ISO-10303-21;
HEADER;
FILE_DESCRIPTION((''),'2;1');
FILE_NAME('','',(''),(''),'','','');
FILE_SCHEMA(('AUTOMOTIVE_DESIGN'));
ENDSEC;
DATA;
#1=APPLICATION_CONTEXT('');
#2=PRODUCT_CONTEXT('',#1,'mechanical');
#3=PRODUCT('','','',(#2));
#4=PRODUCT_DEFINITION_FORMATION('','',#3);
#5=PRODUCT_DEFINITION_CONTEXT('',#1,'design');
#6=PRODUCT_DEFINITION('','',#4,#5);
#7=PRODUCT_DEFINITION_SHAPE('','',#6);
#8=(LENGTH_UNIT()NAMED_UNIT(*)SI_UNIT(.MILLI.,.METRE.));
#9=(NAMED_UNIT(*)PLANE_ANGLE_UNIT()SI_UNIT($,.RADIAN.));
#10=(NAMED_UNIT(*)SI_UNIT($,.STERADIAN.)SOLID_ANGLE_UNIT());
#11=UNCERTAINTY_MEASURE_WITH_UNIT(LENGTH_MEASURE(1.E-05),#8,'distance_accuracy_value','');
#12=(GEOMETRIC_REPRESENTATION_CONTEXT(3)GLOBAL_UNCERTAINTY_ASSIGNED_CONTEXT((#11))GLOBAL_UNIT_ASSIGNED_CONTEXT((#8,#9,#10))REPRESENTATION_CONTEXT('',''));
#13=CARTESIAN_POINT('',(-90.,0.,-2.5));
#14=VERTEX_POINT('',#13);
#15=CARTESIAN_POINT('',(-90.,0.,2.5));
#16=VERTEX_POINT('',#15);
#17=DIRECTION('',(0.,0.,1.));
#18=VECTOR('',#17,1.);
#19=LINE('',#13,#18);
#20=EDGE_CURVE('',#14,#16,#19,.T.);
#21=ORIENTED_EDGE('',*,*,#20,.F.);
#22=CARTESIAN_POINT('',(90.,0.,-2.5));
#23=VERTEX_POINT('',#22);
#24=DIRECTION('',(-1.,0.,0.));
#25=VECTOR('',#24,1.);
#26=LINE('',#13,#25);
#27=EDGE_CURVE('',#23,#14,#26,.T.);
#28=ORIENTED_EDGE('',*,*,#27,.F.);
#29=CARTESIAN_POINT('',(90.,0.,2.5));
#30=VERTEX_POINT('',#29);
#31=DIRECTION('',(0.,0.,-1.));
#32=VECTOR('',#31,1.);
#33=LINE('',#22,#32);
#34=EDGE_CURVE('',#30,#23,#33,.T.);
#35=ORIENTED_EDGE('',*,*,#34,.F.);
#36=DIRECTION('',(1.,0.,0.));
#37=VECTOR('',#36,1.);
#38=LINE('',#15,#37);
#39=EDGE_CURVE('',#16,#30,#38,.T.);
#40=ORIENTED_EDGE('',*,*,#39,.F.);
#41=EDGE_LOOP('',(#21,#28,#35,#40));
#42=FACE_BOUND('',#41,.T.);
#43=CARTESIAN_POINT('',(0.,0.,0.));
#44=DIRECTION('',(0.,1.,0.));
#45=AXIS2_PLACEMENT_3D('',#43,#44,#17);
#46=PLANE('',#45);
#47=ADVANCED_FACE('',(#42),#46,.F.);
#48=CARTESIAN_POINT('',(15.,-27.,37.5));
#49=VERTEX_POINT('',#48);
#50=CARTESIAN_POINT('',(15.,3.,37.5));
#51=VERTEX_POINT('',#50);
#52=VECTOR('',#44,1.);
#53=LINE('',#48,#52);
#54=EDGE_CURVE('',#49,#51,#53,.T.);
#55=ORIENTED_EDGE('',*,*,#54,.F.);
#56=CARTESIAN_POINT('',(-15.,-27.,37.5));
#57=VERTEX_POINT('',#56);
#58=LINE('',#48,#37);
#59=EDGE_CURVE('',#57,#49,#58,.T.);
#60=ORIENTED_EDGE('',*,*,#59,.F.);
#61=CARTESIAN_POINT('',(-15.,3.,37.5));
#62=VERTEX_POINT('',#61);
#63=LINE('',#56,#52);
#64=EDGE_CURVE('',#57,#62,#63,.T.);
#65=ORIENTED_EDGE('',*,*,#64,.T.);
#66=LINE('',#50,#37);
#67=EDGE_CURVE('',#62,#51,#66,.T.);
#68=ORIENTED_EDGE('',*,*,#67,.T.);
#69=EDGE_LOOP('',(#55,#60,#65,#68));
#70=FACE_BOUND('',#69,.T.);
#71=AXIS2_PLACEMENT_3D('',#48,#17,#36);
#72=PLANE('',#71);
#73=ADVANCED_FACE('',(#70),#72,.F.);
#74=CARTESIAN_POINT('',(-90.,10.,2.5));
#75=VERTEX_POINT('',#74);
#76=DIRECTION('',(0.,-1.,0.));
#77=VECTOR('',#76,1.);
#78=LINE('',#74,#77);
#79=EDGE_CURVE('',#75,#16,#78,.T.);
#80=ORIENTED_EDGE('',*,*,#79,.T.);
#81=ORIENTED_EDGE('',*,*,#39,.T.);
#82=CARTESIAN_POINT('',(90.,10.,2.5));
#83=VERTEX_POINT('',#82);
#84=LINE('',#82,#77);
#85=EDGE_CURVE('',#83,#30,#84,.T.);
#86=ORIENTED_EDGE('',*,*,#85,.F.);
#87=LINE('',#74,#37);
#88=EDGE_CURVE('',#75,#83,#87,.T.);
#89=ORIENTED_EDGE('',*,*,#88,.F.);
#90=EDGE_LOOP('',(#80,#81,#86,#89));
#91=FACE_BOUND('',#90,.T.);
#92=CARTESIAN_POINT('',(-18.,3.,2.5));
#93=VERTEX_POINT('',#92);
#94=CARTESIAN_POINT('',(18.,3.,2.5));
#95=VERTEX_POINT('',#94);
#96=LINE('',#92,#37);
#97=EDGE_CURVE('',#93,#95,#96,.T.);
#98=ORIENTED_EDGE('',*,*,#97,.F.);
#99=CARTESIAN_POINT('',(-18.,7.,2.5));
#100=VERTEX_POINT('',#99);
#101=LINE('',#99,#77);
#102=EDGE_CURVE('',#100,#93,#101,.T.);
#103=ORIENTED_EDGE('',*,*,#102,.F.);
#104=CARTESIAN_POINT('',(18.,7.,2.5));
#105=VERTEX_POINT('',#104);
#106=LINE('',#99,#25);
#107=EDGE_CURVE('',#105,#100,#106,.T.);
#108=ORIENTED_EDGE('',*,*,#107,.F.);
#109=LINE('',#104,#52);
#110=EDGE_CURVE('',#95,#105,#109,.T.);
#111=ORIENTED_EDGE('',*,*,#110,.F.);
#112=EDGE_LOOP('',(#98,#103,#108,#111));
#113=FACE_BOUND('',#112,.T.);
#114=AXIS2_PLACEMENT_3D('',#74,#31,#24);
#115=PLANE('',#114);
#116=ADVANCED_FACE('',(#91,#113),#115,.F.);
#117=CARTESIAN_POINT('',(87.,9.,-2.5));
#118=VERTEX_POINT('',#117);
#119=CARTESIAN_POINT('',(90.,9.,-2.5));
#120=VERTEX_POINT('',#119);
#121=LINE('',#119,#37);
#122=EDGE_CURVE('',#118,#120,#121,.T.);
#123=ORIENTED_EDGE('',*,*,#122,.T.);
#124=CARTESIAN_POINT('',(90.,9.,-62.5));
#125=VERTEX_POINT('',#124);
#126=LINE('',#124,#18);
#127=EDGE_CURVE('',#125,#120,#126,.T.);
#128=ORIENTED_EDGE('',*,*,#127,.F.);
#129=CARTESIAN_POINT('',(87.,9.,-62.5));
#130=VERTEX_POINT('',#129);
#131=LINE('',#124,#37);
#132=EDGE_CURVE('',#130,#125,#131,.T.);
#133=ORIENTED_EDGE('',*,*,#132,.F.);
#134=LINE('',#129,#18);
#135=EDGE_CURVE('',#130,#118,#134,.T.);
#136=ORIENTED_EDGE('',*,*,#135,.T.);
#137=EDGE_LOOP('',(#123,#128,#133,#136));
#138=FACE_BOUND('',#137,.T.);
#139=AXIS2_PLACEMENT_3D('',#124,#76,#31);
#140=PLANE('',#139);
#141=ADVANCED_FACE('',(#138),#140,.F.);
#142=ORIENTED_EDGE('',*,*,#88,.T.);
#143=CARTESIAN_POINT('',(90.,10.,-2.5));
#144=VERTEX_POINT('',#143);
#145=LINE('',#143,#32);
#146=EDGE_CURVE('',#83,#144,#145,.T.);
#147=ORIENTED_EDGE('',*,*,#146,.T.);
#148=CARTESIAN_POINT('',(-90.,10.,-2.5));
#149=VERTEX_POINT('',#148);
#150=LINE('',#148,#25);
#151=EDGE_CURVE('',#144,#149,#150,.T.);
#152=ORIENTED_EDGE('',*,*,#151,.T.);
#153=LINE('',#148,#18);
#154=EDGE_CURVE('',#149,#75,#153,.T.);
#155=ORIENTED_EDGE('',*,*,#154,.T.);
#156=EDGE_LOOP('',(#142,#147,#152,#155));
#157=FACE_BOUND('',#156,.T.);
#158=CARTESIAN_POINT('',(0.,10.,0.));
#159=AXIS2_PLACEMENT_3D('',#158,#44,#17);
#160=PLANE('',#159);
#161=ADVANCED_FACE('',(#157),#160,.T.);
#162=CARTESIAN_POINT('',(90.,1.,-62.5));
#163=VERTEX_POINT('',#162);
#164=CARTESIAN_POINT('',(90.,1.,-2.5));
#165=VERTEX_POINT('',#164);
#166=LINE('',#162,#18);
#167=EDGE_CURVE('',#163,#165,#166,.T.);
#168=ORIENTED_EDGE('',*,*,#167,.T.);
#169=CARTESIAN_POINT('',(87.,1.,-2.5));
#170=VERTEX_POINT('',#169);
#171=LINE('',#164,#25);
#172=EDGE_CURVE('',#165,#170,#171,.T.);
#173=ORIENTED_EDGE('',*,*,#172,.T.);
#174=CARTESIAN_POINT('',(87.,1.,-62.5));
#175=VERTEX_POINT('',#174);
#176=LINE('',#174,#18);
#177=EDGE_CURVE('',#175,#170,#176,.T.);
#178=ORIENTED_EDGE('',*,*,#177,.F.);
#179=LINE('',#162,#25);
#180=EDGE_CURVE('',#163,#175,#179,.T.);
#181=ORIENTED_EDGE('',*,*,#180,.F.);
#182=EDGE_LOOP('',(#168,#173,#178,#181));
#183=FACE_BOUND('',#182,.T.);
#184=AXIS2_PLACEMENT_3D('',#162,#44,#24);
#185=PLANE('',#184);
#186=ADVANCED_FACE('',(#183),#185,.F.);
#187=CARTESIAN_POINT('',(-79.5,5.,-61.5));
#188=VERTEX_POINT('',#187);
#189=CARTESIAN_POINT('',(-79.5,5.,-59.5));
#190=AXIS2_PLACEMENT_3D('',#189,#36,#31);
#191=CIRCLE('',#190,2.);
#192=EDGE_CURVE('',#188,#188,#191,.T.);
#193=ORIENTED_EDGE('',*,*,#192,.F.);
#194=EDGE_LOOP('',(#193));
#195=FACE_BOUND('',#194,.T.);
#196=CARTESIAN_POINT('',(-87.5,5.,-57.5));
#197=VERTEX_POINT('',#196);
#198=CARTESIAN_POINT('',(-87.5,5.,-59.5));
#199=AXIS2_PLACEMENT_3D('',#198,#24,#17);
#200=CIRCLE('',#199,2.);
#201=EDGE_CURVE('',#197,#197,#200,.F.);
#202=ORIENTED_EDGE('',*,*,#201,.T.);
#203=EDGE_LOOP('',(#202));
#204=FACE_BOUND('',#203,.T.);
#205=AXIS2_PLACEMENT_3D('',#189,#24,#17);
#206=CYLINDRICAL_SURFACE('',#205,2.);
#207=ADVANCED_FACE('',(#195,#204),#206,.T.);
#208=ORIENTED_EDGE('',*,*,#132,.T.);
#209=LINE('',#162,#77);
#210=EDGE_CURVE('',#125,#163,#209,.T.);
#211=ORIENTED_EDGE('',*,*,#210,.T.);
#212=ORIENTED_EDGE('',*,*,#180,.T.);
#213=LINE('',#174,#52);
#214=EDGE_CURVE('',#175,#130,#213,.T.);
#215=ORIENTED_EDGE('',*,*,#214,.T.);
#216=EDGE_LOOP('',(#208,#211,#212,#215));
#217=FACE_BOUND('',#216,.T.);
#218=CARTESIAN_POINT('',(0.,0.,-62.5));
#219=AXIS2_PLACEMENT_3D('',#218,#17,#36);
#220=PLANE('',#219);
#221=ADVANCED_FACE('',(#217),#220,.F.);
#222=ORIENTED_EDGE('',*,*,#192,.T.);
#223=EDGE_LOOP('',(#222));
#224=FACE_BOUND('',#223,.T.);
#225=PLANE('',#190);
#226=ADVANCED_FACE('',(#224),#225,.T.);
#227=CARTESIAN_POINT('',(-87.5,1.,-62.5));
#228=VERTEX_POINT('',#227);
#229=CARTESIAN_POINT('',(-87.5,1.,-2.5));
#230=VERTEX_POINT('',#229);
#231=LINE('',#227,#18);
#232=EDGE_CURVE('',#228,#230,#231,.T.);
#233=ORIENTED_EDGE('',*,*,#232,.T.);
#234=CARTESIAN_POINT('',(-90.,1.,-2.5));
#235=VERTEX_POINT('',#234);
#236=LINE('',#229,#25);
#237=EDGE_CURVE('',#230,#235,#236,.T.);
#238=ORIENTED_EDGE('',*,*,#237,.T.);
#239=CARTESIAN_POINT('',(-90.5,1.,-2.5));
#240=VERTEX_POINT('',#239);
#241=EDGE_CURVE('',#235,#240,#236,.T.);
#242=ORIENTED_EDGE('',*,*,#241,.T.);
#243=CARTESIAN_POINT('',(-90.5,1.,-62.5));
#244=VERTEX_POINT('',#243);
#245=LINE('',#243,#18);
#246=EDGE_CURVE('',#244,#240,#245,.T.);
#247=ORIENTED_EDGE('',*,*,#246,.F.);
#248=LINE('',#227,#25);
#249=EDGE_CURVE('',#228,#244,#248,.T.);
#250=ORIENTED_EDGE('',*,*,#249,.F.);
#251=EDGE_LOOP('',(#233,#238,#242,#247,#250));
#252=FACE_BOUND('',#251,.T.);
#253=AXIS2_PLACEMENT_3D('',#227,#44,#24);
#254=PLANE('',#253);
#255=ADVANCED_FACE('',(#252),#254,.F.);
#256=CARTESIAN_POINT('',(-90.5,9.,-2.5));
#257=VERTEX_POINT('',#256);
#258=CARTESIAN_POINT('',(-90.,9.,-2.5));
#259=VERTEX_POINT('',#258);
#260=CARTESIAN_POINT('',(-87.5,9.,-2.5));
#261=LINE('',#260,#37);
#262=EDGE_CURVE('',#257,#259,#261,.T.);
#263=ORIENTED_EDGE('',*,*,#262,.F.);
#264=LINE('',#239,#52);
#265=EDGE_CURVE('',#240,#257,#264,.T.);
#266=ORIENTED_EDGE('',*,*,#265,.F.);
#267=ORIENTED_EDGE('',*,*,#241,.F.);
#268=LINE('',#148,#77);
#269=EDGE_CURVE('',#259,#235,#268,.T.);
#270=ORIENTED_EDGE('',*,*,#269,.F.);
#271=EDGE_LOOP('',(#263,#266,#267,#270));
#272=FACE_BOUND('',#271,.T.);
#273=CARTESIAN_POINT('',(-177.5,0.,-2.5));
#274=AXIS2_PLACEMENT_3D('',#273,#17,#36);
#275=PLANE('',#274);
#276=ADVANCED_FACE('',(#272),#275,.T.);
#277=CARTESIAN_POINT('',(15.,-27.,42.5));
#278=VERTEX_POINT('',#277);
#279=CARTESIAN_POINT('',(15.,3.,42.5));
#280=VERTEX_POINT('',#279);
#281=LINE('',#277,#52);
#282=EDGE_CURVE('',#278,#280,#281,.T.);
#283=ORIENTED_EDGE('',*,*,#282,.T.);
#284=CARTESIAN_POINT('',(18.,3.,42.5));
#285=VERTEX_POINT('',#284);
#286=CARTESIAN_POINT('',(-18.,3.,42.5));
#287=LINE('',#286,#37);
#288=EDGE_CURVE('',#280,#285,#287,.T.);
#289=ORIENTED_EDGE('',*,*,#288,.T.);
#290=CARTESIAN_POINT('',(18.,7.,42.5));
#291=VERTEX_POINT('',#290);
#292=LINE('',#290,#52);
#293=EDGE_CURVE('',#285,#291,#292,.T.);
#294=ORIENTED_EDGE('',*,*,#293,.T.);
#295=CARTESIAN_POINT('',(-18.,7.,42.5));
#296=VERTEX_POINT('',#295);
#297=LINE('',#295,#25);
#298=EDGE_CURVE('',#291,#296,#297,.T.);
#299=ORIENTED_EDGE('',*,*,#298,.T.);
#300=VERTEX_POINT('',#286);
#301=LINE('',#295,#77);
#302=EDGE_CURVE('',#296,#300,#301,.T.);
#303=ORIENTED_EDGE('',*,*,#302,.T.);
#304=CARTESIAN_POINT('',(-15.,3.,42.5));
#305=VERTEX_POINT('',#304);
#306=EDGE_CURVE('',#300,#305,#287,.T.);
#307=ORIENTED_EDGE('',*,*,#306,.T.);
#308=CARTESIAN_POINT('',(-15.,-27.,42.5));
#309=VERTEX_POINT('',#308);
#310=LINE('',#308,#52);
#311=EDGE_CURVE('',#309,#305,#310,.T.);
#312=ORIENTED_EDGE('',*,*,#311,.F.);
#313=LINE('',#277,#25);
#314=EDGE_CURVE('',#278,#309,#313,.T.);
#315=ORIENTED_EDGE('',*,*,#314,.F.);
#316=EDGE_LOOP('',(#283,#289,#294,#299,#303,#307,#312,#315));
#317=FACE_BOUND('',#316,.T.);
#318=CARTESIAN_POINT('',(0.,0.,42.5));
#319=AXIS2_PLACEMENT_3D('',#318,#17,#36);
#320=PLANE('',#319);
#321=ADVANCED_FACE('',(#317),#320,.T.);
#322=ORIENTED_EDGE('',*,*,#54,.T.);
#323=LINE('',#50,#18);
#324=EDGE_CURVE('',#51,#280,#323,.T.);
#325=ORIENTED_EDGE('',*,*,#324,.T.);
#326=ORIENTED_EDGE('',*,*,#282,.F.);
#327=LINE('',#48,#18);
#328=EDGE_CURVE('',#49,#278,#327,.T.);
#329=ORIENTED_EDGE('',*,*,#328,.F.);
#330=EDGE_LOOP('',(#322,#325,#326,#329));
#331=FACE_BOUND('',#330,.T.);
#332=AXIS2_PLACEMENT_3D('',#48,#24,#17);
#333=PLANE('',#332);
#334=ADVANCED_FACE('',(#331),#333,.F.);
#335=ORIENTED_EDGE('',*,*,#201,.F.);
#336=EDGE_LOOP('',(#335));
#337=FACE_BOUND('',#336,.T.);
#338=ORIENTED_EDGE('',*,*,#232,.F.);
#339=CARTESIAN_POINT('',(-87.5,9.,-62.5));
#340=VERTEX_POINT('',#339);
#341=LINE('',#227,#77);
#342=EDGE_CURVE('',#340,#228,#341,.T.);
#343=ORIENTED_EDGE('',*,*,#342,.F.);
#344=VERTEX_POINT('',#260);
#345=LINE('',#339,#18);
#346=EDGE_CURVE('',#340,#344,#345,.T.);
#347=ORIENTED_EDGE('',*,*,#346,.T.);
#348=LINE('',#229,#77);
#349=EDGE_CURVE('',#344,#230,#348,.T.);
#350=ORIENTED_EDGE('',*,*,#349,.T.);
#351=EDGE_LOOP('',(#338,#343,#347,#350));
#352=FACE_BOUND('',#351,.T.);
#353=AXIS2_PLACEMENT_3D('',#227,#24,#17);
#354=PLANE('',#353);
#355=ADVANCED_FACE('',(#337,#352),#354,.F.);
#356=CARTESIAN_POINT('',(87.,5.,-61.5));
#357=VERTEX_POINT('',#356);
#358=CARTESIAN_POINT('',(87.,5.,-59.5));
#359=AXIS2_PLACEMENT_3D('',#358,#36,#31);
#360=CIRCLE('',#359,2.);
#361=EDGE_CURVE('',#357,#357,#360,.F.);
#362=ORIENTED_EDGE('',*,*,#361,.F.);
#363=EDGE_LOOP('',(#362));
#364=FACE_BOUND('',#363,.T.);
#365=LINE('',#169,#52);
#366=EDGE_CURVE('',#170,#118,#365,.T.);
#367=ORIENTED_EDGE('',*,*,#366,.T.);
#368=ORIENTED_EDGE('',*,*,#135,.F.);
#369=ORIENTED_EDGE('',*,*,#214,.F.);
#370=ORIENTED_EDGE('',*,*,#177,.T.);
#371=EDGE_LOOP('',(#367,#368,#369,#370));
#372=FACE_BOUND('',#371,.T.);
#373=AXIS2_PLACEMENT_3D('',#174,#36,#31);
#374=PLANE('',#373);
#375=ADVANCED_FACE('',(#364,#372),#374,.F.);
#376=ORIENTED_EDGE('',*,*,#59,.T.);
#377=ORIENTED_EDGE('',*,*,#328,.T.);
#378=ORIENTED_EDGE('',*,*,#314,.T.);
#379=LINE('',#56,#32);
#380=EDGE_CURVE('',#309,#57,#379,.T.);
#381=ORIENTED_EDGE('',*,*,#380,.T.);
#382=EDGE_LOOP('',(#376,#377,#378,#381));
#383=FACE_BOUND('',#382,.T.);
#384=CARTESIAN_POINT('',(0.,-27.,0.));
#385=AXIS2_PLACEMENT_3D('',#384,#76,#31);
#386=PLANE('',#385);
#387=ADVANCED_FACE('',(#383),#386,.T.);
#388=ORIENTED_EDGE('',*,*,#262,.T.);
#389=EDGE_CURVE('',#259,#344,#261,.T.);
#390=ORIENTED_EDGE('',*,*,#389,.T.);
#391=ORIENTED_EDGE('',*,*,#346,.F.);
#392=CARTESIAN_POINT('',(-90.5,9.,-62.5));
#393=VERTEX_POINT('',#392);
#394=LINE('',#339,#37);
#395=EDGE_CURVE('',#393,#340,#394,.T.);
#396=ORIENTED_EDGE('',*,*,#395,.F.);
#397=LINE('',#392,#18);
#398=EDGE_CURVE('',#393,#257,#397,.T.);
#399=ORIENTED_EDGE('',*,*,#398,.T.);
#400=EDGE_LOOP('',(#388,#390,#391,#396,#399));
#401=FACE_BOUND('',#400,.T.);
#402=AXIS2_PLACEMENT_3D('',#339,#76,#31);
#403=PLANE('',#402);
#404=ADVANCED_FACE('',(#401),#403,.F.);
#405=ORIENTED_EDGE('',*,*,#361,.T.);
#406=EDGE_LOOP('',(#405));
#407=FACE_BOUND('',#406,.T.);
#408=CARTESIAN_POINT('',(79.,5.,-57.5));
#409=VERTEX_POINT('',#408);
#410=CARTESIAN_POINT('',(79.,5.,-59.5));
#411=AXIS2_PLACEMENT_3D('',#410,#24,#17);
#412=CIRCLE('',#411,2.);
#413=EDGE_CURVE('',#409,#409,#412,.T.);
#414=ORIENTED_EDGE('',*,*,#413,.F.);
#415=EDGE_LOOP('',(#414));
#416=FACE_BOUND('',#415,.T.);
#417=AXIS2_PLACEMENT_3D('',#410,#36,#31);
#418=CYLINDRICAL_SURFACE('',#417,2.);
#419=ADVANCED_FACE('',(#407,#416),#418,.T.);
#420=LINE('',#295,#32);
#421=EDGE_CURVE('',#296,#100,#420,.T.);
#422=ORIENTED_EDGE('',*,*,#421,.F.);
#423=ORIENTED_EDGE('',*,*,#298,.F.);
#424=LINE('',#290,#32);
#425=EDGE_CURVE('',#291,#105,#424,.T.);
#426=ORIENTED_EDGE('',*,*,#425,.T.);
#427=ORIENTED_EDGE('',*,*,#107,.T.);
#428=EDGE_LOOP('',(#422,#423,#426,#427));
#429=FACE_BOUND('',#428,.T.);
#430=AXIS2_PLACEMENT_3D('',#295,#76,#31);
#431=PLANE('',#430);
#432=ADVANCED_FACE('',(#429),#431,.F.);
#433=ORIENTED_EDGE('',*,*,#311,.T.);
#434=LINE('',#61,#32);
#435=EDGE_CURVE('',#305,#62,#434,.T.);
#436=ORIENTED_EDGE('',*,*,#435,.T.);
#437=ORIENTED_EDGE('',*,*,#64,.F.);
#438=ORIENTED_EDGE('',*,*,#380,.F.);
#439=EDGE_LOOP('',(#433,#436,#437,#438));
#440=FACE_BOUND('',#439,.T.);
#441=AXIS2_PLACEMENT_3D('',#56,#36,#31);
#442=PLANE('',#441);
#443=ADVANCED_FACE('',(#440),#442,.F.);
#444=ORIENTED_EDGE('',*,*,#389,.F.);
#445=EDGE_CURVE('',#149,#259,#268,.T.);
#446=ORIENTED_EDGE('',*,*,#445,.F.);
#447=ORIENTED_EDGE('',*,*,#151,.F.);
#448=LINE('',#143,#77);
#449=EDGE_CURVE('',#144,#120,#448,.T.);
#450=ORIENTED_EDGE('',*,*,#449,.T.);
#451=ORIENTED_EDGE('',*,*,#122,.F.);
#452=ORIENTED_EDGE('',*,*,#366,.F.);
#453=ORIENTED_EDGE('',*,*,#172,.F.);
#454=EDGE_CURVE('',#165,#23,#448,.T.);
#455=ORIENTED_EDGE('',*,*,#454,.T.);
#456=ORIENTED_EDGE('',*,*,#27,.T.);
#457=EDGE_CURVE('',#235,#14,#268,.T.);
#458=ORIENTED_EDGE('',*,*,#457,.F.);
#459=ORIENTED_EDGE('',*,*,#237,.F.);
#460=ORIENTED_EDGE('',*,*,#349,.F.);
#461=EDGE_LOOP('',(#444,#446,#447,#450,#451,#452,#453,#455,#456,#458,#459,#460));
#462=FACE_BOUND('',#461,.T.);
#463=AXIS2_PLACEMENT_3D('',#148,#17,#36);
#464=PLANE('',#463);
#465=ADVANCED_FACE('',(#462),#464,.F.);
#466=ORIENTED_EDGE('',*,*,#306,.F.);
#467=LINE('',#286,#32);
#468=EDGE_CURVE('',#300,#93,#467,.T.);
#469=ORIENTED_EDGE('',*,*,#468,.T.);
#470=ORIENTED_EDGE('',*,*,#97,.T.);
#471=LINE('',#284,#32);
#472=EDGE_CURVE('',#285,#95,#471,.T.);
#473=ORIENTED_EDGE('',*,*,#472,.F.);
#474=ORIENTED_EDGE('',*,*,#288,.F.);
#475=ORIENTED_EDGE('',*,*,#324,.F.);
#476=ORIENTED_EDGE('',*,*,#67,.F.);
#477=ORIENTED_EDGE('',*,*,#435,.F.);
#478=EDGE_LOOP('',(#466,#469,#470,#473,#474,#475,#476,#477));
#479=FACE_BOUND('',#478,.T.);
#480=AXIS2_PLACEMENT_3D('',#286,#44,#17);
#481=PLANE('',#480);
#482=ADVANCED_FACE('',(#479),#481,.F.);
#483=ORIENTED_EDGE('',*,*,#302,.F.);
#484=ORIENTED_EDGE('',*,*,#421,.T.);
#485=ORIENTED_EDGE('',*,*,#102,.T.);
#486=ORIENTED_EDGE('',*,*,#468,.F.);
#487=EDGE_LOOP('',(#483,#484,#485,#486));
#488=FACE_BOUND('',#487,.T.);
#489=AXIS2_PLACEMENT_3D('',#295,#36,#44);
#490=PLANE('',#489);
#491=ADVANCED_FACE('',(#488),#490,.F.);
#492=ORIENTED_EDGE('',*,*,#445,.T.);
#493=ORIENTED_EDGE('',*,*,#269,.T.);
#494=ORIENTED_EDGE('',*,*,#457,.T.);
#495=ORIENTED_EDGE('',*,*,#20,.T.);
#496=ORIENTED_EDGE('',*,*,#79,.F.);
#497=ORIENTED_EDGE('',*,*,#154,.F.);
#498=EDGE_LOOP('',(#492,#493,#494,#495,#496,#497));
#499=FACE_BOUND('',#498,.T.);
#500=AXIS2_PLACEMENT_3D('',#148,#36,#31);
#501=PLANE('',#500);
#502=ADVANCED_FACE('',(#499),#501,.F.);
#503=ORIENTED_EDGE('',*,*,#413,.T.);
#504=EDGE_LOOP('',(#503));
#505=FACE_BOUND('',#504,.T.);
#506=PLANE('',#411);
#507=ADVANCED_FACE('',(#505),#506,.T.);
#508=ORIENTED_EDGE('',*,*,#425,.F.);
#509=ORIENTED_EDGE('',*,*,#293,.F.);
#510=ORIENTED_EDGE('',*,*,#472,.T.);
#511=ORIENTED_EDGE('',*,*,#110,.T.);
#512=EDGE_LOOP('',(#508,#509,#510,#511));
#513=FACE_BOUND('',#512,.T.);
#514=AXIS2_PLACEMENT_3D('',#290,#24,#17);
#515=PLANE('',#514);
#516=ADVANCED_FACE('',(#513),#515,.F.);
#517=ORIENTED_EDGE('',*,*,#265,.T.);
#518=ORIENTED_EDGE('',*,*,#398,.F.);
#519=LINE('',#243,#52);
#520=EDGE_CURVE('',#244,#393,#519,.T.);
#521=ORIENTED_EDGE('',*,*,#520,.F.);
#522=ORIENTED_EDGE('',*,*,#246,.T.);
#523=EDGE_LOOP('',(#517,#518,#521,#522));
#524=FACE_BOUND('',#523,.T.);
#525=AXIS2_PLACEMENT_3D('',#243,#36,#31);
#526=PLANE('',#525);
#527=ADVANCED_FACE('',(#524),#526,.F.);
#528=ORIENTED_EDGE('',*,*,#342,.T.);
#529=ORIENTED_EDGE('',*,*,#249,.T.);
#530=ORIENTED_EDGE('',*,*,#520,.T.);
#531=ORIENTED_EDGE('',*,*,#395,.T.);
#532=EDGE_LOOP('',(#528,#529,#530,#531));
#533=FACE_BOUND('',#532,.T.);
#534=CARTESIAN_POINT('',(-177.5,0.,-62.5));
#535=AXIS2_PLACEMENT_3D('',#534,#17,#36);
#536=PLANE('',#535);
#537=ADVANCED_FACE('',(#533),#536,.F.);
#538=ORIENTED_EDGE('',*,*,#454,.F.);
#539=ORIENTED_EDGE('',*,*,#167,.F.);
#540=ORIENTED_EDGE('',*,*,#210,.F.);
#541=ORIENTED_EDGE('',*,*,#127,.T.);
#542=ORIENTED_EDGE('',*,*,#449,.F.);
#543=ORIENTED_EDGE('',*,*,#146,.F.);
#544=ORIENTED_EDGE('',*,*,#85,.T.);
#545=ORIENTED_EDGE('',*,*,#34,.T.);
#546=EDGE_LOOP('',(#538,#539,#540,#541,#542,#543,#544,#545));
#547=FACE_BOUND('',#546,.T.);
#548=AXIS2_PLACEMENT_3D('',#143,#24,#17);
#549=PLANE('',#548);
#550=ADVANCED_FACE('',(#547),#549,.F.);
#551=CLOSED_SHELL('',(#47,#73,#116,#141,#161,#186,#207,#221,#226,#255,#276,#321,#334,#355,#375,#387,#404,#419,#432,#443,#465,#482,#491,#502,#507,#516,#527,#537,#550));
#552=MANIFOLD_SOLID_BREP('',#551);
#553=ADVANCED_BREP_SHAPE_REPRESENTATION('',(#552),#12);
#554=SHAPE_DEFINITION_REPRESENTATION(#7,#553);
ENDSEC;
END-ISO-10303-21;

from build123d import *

# Parameters (mm, degrees)
SKETCH_1_W             = 180
SKETCH_1_H             = 5
EXTRUDE_1_DEPTH        = 10
SKETCH_2_W             = 3
SKETCH_2_H             = 8
EXTRUDE_2_DEPTH        = 60
SKETCH_5_R             = 2
EXTRUDE_4_DEPTH        = 8
SKETCH_6_W             = 36
SKETCH_6_H             = 4
EXTRUDE_5_DEPTH        = 40
SKETCH_7_W             = 30
SKETCH_7_H             = 5
EXTRUDE_6_DEPTH        = 30
PATTERN_LINEAR_1_COUNT = 2
PATTERN_LINEAR_1_PITCH = 177.5
EXTRUDE_START          = 8
SKETCH_8_R             = 2
EXTRUDE_7_DEPTH        = 8


with BuildPart() as part:
    # 草图1 → 凸台-拉伸1 (new body)
    with BuildSketch(Plane(origin=(0, 0, 0), x_dir=(1, 0, 0), z_dir=(0, 1, 0))):
        Rectangle(SKETCH_1_W, SKETCH_1_H)
    extrude(amount=EXTRUDE_1_DEPTH)

    # 草图2 → 凸台-拉伸2 (add)
    with BuildSketch(Plane(origin=(0, 0, -2.5), x_dir=(-1, 0, 0), z_dir=(0, 0, -1))):
        with Locations((-88.5, 5)):
            Rectangle(SKETCH_2_W, SKETCH_2_H)
    extrude_2 = extrude(amount=EXTRUDE_2_DEPTH)

    # 草图5 → 凸台-拉伸4 (add)
    with BuildSketch(Plane.ZY.offset(-87)):
        with Locations(Location((-59.5, 5, 0), (0, 0, 180))):
            Circle(SKETCH_5_R)
    extrude(amount=EXTRUDE_4_DEPTH)

    # 草图6 → 凸台-拉伸5 (add)
    with BuildSketch(Plane.XY.offset(2.5)):
        with Locations((0, 5)):
            Rectangle(SKETCH_6_W, SKETCH_6_H)
    extrude(amount=EXTRUDE_5_DEPTH)

    # 草图7 → 凸台-拉伸6 (add)
    with BuildSketch(Plane.XZ.offset(-3)):
        with Locations((0, 40)):
            Rectangle(SKETCH_7_W, SKETCH_7_H)
    extrude(amount=EXTRUDE_6_DEPTH)

    # 阵列(线性)1: 凸台-拉伸2 ×2
    with Locations(*[(-i * PATTERN_LINEAR_1_PITCH, 0, 0) for i in range(1, PATTERN_LINEAR_1_COUNT)]):
        add(extrude_2)

    # 草图8 → 凸台-拉伸7 (add)
    with BuildSketch(Plane(origin=(-87.5, 0, 0), x_dir=(0, 0, -1), z_dir=(1, 0, 0)).offset(EXTRUDE_START)):
        with Locations((59.5, 5)):
            Circle(SKETCH_8_R)
    extrude(amount=-EXTRUDE_7_DEPTH)


solid = part.part
